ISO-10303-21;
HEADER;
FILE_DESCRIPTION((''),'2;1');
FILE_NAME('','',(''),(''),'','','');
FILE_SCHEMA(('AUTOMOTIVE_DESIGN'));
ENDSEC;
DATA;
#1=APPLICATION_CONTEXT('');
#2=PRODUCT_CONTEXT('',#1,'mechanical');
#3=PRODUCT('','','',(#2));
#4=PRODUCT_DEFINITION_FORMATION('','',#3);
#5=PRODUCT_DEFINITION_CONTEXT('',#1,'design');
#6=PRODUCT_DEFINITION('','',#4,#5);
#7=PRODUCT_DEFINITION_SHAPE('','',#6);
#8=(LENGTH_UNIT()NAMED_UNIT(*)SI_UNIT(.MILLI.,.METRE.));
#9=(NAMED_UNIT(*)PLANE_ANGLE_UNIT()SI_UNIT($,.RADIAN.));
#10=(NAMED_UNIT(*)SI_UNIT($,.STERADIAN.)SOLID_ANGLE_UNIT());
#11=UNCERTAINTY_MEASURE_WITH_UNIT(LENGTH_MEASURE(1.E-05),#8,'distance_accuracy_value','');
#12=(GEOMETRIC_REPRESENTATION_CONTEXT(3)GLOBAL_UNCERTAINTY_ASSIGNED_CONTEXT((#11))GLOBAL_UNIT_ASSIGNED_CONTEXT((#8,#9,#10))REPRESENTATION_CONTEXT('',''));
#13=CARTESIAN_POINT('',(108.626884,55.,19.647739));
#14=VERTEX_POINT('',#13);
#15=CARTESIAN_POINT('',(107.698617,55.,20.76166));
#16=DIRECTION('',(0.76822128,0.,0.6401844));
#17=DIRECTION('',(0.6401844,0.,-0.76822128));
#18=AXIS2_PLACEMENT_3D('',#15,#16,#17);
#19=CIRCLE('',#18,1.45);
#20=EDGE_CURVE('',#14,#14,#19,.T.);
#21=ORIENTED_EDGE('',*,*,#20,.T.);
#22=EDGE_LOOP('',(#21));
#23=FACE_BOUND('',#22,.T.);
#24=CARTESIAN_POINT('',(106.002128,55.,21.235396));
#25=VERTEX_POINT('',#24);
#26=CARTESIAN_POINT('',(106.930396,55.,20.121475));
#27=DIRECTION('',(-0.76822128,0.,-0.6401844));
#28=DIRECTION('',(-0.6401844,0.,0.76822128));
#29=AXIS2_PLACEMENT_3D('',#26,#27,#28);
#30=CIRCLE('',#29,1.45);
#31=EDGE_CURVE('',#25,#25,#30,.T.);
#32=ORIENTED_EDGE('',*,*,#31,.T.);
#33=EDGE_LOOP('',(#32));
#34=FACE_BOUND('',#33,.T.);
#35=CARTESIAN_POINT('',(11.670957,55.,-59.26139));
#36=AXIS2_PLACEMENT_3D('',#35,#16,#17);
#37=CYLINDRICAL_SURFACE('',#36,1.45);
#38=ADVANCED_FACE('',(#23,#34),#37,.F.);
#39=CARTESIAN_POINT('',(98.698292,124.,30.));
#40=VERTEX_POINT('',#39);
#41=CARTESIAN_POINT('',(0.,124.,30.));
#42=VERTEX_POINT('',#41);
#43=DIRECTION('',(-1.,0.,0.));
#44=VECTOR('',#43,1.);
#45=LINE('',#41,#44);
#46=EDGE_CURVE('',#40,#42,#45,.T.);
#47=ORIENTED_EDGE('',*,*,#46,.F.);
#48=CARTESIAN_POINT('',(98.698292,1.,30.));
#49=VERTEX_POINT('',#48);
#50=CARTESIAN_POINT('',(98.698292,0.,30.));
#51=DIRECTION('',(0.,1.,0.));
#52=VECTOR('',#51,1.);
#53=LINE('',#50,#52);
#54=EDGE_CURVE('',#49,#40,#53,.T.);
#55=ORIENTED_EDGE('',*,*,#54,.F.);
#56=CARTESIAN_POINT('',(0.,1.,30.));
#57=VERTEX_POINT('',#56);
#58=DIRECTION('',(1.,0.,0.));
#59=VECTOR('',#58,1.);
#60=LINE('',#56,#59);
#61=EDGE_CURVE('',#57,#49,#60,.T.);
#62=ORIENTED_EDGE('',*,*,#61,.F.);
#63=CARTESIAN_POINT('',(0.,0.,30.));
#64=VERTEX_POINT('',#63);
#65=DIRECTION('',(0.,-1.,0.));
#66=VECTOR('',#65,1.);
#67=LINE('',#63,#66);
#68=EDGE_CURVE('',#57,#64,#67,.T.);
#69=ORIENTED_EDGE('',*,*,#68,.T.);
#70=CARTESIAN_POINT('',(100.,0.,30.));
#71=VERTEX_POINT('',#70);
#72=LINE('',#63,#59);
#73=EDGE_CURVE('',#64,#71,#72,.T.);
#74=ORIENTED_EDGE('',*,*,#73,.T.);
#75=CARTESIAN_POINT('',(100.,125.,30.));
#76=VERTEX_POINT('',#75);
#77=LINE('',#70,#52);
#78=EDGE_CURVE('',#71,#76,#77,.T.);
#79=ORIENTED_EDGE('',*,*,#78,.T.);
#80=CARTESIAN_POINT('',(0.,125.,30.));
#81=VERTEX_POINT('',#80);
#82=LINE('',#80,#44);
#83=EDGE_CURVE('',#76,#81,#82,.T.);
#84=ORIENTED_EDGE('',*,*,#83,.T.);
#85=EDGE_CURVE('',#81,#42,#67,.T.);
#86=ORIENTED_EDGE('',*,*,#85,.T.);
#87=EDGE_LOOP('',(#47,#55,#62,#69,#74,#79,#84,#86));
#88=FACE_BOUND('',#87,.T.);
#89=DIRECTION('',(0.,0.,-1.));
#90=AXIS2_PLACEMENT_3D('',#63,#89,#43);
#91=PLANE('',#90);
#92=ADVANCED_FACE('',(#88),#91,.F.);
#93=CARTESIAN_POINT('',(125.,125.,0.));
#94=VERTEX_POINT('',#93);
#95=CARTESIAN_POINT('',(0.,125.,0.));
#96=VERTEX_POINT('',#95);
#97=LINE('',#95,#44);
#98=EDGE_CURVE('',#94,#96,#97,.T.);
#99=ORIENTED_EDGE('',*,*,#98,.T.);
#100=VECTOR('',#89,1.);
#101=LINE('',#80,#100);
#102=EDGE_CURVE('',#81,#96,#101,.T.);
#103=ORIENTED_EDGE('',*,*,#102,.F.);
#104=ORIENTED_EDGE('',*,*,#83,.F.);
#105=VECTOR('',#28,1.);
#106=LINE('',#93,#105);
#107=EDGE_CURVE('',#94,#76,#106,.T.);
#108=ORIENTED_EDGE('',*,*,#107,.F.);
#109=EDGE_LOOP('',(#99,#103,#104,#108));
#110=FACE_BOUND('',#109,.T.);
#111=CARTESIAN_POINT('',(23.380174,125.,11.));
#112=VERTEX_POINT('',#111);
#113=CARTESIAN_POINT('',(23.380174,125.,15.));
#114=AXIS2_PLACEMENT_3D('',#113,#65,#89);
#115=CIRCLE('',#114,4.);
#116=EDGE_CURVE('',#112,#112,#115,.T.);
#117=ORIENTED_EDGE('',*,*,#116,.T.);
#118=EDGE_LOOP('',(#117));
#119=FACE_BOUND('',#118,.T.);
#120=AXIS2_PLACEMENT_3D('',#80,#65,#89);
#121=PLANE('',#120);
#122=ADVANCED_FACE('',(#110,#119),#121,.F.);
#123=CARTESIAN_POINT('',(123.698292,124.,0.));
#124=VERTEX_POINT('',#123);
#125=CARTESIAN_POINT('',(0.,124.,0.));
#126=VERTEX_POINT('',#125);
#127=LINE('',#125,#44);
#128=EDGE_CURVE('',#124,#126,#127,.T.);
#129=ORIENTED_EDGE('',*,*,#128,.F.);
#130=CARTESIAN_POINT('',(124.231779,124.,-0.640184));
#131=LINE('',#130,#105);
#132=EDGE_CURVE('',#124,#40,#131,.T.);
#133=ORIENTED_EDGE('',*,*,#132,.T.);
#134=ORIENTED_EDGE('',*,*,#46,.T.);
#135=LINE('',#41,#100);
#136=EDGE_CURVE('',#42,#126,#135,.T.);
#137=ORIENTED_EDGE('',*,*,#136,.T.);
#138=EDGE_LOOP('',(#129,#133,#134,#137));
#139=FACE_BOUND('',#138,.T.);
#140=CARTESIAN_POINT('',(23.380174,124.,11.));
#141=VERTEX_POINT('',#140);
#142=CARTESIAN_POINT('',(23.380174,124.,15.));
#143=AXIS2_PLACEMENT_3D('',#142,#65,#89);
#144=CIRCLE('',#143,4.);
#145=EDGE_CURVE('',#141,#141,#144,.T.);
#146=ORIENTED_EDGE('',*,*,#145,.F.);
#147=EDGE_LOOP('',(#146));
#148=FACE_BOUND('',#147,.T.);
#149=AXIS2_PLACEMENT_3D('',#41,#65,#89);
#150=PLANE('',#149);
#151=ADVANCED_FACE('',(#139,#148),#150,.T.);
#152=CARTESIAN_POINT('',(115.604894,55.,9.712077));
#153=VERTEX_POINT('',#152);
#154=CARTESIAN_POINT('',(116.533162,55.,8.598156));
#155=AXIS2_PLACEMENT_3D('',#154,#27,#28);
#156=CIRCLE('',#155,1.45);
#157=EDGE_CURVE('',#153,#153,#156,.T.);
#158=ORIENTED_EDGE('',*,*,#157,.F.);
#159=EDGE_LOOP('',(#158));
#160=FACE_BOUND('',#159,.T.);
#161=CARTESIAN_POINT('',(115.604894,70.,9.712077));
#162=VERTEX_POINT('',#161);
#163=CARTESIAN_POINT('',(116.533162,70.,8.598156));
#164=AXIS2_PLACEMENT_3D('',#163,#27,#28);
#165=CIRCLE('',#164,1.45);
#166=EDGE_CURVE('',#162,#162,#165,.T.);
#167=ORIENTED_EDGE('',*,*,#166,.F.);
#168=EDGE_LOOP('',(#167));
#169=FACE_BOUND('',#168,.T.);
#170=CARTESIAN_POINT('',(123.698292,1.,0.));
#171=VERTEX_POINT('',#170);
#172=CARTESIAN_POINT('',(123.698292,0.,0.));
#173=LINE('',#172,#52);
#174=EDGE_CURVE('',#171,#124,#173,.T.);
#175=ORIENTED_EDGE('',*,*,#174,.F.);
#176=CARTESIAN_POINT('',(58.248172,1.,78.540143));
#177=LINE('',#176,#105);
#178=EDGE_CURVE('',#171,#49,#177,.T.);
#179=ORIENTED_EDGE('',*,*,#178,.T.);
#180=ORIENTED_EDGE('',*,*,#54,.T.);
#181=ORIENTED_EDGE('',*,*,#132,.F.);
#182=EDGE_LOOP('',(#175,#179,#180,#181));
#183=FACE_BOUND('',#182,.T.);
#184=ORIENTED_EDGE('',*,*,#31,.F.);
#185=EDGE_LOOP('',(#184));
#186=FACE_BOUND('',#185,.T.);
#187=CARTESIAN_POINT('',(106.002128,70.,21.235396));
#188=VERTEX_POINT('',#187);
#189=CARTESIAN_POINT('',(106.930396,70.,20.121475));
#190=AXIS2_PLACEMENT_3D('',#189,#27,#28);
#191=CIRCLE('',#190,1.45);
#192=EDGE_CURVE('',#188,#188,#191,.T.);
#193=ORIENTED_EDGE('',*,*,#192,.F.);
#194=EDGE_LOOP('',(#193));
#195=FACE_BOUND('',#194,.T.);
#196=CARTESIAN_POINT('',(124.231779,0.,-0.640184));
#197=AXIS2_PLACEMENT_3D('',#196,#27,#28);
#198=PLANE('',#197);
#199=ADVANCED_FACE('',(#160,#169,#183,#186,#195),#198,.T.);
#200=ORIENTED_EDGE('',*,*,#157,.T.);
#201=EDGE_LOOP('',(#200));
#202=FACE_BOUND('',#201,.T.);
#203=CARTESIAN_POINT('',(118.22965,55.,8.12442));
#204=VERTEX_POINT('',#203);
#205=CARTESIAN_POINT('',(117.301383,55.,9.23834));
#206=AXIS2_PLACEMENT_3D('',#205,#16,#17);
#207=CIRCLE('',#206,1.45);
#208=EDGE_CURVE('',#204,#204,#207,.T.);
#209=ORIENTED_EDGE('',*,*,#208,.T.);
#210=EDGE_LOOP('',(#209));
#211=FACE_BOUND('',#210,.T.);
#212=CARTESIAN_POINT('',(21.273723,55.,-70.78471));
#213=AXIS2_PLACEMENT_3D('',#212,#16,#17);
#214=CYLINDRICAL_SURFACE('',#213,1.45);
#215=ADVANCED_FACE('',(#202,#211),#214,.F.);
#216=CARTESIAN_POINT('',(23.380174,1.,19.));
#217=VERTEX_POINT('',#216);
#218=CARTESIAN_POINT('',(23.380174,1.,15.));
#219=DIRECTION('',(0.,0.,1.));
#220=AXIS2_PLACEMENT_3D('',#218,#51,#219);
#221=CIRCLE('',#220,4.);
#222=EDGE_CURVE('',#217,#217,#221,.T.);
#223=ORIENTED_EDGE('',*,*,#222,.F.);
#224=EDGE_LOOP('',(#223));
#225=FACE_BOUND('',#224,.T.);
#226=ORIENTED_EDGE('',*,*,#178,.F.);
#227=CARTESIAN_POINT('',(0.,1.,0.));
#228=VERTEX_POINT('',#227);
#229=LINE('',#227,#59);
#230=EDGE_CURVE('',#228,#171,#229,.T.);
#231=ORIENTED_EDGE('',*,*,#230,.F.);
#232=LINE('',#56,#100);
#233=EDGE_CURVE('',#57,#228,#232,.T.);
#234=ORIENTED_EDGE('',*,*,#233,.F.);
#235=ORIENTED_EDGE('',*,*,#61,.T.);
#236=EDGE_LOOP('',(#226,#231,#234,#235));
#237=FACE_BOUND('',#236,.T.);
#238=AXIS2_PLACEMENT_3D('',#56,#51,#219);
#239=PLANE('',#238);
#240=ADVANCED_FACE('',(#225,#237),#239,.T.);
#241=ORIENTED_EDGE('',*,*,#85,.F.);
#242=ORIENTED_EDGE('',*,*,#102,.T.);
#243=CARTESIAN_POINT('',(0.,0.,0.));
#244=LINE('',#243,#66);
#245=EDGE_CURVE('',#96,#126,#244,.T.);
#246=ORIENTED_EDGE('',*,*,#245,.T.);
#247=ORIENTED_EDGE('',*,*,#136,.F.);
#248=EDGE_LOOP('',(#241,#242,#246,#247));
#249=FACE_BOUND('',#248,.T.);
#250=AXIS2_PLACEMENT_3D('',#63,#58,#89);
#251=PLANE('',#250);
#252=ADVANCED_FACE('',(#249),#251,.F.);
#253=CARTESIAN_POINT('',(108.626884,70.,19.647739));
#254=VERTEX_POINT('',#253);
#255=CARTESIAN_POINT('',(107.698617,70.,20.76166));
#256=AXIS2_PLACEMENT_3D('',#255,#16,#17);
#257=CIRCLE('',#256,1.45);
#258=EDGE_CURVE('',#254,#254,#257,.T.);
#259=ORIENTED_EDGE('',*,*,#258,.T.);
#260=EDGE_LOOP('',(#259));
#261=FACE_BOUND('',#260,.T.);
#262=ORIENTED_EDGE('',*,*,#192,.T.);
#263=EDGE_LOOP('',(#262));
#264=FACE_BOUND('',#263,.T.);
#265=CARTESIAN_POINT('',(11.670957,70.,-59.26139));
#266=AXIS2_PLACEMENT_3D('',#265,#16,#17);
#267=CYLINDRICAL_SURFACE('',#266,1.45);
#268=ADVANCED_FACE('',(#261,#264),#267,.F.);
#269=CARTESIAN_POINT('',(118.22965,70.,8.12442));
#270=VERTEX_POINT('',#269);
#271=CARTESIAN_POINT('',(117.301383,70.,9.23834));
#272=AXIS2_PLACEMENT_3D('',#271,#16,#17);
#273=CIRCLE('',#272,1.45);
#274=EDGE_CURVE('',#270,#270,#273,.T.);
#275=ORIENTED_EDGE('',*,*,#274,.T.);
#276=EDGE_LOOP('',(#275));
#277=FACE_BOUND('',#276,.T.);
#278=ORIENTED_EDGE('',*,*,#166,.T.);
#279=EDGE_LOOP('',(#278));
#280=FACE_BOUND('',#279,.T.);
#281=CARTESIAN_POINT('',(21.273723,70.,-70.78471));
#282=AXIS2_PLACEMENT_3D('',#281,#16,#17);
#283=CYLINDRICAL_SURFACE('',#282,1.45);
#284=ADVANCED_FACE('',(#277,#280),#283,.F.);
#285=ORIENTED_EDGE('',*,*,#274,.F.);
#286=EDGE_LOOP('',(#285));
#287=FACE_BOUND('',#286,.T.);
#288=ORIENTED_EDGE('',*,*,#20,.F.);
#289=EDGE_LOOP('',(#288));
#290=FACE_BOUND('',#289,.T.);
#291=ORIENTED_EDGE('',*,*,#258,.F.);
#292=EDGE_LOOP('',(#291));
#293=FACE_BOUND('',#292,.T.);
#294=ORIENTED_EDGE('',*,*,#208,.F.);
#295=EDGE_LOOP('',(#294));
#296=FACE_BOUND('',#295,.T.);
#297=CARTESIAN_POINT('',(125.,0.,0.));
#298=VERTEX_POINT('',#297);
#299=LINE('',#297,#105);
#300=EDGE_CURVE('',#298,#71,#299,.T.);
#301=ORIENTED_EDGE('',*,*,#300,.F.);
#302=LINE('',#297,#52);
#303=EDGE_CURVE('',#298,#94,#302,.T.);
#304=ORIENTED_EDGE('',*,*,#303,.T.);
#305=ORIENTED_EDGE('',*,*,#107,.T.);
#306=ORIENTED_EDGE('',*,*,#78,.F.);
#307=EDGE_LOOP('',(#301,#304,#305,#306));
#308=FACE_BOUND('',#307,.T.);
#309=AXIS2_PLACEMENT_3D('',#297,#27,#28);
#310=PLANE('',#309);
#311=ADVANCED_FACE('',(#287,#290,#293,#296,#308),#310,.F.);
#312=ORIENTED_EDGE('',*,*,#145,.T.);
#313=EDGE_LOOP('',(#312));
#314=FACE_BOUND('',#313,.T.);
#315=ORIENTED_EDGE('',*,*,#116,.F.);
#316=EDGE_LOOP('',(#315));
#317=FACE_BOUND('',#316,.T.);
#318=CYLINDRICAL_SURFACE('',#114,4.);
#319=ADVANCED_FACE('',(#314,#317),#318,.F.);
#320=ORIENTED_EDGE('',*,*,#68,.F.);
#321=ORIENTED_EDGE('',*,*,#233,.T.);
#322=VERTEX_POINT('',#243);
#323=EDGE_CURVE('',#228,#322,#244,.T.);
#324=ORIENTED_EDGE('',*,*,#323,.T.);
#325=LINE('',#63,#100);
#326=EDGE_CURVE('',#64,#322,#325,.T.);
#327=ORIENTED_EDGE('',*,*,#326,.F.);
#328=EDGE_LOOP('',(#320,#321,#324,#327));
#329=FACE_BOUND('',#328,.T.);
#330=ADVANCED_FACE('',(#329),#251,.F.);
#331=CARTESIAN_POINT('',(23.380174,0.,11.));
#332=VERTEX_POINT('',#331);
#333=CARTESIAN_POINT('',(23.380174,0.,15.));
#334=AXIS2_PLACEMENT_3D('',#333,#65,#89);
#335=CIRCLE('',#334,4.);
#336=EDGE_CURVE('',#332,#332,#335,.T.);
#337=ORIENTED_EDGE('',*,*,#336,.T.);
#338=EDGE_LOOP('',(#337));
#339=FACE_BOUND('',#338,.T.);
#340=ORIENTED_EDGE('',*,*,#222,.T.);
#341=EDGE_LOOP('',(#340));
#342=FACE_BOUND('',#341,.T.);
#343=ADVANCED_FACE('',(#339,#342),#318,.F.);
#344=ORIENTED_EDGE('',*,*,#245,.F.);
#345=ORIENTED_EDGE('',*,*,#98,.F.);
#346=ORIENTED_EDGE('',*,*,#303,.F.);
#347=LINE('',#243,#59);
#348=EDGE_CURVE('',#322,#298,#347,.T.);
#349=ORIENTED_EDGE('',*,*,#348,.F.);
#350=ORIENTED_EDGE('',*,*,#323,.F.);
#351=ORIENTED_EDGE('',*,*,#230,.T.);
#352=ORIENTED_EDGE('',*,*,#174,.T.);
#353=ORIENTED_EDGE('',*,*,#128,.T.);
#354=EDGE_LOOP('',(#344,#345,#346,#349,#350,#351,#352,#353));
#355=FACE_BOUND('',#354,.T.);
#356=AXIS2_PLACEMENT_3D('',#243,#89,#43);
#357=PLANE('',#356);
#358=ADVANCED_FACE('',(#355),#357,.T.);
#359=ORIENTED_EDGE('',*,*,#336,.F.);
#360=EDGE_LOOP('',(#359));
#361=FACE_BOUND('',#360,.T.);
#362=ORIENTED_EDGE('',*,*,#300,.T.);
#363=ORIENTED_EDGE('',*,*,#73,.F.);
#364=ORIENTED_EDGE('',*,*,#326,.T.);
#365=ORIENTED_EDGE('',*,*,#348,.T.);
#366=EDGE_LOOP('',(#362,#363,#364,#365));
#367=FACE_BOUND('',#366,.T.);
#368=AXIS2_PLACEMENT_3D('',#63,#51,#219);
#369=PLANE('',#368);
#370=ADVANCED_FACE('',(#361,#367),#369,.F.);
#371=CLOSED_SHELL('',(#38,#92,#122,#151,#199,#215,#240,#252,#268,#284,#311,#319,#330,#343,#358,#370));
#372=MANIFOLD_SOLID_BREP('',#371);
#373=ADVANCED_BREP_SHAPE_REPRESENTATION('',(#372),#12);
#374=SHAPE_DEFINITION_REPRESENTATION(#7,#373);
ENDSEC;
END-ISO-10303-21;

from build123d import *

# Parameters (mm, degrees)
SKETCH1_W           = 125
SKETCH1_H           = 125
BOSS_EXTRUDE1_DEPTH = 30
CUT_EXTRUDE1_DEPTH  = 125
SHELL1_T            = -1
SKETCH3_R           = 4
CUT_EXTRUDE2_DEPTH  = 125
CUT_EXTRUDE3_DEPTH  = 125


with BuildPart() as part:
    # Sketch1 → Boss-Extrude1 (new body)
    with BuildSketch(Plane.XY):
        with Locations((62.5, 62.5)):
            Rectangle(SKETCH1_W, SKETCH1_H)
    extrude(amount=BOSS_EXTRUDE1_DEPTH)

    # Sketch2 → Cut-Extrude1 (cut)
    with BuildSketch(Plane(origin=(0, 125, 0), x_dir=(1, 0, 0), z_dir=(0, 1, 0))):
        Polygon((125, 0), (100, -30), (125, -30), align=None)
    extrude(amount=-CUT_EXTRUDE1_DEPTH, mode=Mode.SUBTRACT)

    # Shell1
    shell1_openings = [part.faces().sort_by_distance(p)[0] for p in [
        (50, 62.5, 30),
        (62.5, 62.5, 0),
        (0, 62.5, 15),
    ]]
    offset(amount=SHELL1_T, openings=shell1_openings, kind=Kind.INTERSECTION)

    # Sketch3 → Cut-Extrude2 (cut)
    with BuildSketch(Plane(origin=(0, 0, 0), x_dir=(-1, 0, 0), z_dir=(0, -1, 0))):
        with Locations(Location((-23.380174368, -15, 0), (0, 0, 90))):
            Circle(SKETCH3_R)
    extrude(amount=-CUT_EXTRUDE2_DEPTH, mode=Mode.SUBTRACT)

    # Sketch4 → Cut-Extrude3 (cut)
    with BuildSketch(Plane(origin=(73.770491803, 0, 61.475409836), x_dir=(0.6401843996644799, 0, -0.7682212795973759), z_dir=(0.768221279597376, 0, 0.6401843996644799))):
        with BuildLine():
            Line((52.997425768, 68.55), (52.997425768, 70))
            Line((52.997425768, 70), (54.447425768, 70))
            ThreePointArc((54.447425768, 70), (51.972120936, 71.025304833), (52.997425768, 68.55))
        make_face()
        with BuildLine():
            Line((54.447425768, 70), (52.997425768, 70))
            Line((52.997425768, 70), (52.997425768, 68.55))
            ThreePointArc((52.997425768, 68.55), (54.022730601, 68.974695167), (54.447425768, 70))
        make_face()
        with BuildLine():
            ThreePointArc((69.447425768, 70), (67.997425768, 71.45), (66.547425768, 70))
            Line((66.547425768, 70), (67.997425768, 70))
            Line((67.997425768, 70), (67.997425768, 68.55))
            ThreePointArc((67.997425768, 68.55), (69.022730601, 68.974695167), (69.447425768, 70))
        make_face()
        with BuildLine():
            Line((67.997425768, 70), (66.547425768, 70))
            ThreePointArc((66.547425768, 70), (66.972120936, 68.974695167), (67.997425768, 68.55))
            Line((67.997425768, 68.55), (67.997425768, 70))
        make_face()
        with BuildLine():
            ThreePointArc((54.447425768, 55), (54.022730601, 56.025304833), (52.997425768, 56.45))
            Line((52.997425768, 56.45), (52.997425768, 55))
            Line((52.997425768, 55), (54.447425768, 55))
        make_face()
        with BuildLine():
            Line((52.997425768, 55), (52.997425768, 56.45))
            ThreePointArc((52.997425768, 56.45), (51.972120936, 53.974695167), (54.447425768, 55))
            Line((54.447425768, 55), (52.997425768, 55))
        make_face()
        with BuildLine():
            ThreePointArc((69.447425768, 55), (69.022730601, 56.025304833), (67.997425768, 56.45))
            Line((67.997425768, 56.45), (67.997425768, 55))
            Line((67.997425768, 55), (66.547425768, 55))
            ThreePointArc((66.547425768, 55), (67.997425768, 53.55), (69.447425768, 55))
        make_face()
        with BuildLine():
            Line((67.997425768, 55), (67.997425768, 56.45))
            ThreePointArc((67.997425768, 56.45), (66.972120936, 56.025304833), (66.547425768, 55))
            Line((66.547425768, 55), (67.997425768, 55))
        make_face()
    extrude(amount=-CUT_EXTRUDE3_DEPTH, mode=Mode.SUBTRACT)


solid = part.part
